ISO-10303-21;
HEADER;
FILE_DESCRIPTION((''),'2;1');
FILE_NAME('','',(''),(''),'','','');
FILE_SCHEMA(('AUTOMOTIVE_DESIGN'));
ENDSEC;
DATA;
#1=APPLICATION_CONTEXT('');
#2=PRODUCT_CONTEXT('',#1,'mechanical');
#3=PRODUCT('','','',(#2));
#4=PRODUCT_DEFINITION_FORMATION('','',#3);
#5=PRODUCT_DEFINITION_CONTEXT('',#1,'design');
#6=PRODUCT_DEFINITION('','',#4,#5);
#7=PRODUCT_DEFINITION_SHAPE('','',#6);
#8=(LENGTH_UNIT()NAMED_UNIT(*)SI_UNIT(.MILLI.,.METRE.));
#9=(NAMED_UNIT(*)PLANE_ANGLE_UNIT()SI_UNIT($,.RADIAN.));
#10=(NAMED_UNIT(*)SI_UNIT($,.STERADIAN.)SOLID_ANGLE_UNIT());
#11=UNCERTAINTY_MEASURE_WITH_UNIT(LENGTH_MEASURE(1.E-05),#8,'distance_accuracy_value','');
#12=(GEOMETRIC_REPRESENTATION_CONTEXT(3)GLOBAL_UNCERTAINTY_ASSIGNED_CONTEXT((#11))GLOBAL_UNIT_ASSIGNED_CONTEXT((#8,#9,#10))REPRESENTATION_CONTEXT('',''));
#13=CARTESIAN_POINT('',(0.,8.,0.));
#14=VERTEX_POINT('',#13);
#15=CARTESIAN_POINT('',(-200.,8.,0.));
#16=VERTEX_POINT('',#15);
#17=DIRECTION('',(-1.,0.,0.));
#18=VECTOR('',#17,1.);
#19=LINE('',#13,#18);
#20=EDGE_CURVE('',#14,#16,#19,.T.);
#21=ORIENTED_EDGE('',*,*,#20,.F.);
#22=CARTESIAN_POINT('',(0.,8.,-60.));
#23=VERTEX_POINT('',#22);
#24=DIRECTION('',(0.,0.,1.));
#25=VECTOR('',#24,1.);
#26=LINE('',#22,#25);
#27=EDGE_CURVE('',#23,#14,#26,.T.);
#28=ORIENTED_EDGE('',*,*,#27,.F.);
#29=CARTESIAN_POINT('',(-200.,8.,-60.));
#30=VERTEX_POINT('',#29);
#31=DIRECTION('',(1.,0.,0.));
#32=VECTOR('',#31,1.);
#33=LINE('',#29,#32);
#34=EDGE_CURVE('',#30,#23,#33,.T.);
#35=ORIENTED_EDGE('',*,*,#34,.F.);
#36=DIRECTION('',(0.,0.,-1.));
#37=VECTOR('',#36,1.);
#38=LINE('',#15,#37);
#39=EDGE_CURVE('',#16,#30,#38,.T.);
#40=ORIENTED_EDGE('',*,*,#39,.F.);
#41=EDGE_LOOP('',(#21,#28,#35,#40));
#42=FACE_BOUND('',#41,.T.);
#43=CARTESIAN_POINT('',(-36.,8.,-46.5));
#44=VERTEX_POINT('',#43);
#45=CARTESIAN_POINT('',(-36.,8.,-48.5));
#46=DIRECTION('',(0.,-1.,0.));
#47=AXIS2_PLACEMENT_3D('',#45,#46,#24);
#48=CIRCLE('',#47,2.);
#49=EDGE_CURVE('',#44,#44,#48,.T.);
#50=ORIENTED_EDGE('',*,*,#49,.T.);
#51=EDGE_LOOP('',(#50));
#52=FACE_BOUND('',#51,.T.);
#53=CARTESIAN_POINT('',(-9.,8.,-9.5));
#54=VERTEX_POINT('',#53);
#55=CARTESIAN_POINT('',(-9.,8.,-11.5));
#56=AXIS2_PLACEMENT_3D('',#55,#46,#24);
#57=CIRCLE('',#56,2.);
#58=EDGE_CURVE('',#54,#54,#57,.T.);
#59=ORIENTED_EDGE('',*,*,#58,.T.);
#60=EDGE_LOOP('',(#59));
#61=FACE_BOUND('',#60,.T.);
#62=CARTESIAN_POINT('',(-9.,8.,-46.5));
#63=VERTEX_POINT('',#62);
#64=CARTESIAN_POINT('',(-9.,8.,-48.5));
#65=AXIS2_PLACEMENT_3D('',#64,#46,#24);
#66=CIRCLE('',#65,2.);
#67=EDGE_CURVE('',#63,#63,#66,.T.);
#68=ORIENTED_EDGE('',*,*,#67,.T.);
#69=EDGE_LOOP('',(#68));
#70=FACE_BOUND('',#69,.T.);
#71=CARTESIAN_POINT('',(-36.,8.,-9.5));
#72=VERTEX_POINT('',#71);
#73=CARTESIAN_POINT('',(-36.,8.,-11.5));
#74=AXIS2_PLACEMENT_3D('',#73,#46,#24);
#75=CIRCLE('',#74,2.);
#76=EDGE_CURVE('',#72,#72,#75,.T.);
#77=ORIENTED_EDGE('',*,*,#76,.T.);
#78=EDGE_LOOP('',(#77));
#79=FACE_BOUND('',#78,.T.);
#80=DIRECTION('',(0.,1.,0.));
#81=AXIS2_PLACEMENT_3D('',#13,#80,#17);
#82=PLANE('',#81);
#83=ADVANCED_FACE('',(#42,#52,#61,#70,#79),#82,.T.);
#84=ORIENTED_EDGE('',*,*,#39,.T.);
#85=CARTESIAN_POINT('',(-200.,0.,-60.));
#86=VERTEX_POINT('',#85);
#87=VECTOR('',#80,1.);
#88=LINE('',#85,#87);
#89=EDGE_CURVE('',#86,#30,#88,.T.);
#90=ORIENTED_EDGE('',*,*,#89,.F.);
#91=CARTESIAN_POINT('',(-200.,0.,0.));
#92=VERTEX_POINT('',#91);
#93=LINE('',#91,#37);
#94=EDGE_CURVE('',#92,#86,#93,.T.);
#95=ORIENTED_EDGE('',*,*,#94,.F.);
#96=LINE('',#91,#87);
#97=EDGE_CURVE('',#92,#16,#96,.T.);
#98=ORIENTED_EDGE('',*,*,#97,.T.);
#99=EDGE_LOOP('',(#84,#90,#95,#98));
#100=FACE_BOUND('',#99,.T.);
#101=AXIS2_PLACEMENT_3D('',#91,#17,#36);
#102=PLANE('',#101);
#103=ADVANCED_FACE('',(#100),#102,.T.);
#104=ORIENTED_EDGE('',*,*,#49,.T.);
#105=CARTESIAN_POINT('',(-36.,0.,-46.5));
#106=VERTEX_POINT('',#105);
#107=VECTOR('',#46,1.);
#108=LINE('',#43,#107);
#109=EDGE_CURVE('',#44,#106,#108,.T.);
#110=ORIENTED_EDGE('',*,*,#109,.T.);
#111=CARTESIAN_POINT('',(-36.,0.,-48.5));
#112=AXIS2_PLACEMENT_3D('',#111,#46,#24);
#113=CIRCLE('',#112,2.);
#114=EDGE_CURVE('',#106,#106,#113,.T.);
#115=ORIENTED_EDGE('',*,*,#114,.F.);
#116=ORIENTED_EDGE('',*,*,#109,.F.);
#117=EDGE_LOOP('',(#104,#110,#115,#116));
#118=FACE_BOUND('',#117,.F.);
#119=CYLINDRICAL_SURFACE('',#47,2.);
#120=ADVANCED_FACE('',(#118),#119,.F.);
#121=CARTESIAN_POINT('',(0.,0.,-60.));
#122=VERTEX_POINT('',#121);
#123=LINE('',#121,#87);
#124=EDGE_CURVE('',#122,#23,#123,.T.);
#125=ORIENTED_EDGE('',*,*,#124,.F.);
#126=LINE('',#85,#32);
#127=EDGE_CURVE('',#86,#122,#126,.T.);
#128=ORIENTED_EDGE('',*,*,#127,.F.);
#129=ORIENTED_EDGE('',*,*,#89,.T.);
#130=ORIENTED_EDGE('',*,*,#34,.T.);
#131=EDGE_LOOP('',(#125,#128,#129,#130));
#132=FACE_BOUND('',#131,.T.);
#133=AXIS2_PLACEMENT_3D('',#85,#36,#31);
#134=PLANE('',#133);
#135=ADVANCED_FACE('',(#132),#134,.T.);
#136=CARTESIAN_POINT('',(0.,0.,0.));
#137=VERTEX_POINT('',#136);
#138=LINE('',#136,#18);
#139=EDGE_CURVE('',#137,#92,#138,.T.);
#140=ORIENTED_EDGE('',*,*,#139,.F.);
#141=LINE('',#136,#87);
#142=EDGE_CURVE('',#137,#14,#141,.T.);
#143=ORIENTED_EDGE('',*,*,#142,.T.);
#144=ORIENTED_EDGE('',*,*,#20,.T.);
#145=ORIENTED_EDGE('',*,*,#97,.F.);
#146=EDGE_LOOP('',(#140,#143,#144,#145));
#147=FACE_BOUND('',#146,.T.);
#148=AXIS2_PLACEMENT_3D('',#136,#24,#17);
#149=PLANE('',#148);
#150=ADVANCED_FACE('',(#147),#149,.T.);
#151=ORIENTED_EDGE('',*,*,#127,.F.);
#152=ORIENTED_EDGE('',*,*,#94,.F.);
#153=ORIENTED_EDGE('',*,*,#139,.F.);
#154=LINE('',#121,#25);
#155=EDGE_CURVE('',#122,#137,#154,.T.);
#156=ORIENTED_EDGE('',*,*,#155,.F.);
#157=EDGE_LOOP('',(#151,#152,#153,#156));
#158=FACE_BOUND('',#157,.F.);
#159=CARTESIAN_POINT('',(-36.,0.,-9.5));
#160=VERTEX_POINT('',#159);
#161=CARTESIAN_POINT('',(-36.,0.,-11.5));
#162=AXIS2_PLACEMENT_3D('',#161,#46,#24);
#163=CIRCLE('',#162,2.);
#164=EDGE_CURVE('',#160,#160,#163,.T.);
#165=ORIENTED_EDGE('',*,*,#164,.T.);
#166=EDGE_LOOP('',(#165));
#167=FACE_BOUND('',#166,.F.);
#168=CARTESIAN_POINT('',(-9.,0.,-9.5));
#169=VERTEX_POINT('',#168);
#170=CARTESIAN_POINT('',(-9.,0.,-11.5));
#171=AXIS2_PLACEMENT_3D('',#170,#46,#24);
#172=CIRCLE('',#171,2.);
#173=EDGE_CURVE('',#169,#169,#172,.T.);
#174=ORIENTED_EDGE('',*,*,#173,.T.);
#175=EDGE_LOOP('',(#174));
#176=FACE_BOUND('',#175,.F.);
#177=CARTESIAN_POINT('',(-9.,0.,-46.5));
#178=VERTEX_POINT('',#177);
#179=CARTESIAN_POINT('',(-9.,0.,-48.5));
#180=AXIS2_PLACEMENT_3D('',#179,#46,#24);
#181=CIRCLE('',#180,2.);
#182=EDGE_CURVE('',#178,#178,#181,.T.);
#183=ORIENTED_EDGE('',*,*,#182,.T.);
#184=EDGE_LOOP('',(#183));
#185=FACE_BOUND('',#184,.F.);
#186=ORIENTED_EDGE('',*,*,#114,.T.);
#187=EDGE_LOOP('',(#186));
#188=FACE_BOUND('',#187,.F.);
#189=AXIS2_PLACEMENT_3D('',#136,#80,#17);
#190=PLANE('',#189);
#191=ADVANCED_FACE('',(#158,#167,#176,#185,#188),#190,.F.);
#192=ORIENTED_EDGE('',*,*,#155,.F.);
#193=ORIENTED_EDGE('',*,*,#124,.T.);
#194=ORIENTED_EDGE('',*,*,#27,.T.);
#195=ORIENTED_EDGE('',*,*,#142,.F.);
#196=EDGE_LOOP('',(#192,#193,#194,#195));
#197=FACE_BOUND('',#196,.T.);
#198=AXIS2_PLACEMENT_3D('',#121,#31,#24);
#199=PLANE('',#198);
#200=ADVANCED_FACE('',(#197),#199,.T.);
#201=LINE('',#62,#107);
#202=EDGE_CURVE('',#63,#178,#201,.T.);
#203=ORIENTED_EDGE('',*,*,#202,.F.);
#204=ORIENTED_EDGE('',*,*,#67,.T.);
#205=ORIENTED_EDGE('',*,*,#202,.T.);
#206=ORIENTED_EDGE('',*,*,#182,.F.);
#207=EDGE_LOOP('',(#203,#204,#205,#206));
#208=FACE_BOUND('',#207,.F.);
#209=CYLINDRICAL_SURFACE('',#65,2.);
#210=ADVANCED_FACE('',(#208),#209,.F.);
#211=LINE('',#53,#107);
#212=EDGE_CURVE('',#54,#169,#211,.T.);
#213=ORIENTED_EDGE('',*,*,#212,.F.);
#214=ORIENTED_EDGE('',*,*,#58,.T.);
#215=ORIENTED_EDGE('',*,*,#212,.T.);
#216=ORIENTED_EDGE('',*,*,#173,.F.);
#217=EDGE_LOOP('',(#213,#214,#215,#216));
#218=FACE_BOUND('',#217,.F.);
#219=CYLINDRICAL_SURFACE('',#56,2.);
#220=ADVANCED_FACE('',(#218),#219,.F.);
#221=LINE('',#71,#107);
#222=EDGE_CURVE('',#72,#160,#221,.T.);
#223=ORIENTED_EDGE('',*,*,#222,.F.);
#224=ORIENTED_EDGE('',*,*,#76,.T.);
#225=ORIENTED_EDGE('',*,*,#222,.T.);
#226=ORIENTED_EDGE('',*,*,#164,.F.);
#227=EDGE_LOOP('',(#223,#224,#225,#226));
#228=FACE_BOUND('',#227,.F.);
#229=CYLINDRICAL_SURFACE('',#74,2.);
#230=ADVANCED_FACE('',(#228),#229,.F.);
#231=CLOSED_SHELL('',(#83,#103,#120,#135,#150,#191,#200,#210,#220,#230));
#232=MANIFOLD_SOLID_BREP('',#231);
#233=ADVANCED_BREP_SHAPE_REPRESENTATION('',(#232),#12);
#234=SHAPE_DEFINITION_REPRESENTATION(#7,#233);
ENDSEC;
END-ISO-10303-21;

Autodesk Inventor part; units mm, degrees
ref_plane "YZ Plane" through (0, 0, 0) normal (1, 0, 0) x (0, 1, 0)
ref_plane "XZ Plane" through (0, 0, 0) normal (0, 1, 0) x (-1, 0, 0)
ref_plane "XY Plane" through (0, 0, 0) normal (0, 0, 1) x (1, 0, 0)
sketch "Sketch1" plane through (0, 0, 0) normal (0, 1, 0) x (-1, 0, 0)
  line L0 (0, 0) -> (200, 0)
  line L1 (200, 0) -> (200, -60)
  line L2 (200, -60) -> (0, -60)
  line L3 (0, -60) -> (0, 0)
  dimension "d0" = 200
  dimension "d1" = 60
extrude "Extrusion1" add sketch "Sketch1" along normal blind 8
sketch "Sketch2" plane through (0, 8, 0) normal (0, 1, 0) x (1, 0, 0)
  line L0 (-40, 7.5) -> (-40, 52.5)
  line L1 (-35, 42.75) -> (-35, 34.25)
  line L2 (-35, 34.25) -> (-34, 34.25)
  line L3 (-34, 34.25) -> (-34, 42.75)
  line L4 (-34, 42.75) -> (-35, 42.75)
  line L5 (-34, 25.75) -> (-35, 25.75)
  line L6 (-35, 25.75) -> (-35, 17.25)
  line L7 (-35, 17.25) -> (-34, 17.25)
  line L8 (-34, 17.25) -> (-34, 25.75)
  line L9 (-40, 7.5) -> (-5, 7.5)
  line L10 (-5, 52.5) -> (-40, 52.5)
  line L11 (-23.5275, 30) -> (-17.7049, 30) construction
  line L12 (-5, 52.5) -> (-5, 7.5)
  circle A0 centre (-36, 11.5) radius 1.5
  circle A1 centre (-9, 11.5) radius 1.5
  circle A2 centre (-36, 48.5) radius 1.5
  circle A3 centre (-9, 48.5) radius 1.5
  line L13 (-200, 0) -> (0, 0) construction
  line L14 (0, 0) -> (0, 60) construction
  point P0 (-35.5, 13)
  point P1 (-35.5, 30)
  point P2 (-35.5, 47)
  dimension "d4" = 8.5
  dimension "d5" = 1
  dimension "d6" = 5
  dimension "d7" = 17
  dimension "d8" = 17
  dimension "d9" = 4.25
  dimension "d10" = 4.25
  dimension "d11" = 4.5
  dimension "d12" = 35
  dimension "d13" = 45
  dimension "d14" = 3
  dimension "d15" = 4
  dimension "d16" = 4
  dimension "d17" = 4
  dimension "d18" = 4
  dimension "d19" = 7.5
  dimension "d20" = 5
hole "Hole1" at (-36, 8, -11.5) at (-36, 8, -48.5) at (-9, 8, -11.5) at (-9, 8, -48.5) direction (0, -1, 0) diameter 4 end through all
properties part number "Base"
